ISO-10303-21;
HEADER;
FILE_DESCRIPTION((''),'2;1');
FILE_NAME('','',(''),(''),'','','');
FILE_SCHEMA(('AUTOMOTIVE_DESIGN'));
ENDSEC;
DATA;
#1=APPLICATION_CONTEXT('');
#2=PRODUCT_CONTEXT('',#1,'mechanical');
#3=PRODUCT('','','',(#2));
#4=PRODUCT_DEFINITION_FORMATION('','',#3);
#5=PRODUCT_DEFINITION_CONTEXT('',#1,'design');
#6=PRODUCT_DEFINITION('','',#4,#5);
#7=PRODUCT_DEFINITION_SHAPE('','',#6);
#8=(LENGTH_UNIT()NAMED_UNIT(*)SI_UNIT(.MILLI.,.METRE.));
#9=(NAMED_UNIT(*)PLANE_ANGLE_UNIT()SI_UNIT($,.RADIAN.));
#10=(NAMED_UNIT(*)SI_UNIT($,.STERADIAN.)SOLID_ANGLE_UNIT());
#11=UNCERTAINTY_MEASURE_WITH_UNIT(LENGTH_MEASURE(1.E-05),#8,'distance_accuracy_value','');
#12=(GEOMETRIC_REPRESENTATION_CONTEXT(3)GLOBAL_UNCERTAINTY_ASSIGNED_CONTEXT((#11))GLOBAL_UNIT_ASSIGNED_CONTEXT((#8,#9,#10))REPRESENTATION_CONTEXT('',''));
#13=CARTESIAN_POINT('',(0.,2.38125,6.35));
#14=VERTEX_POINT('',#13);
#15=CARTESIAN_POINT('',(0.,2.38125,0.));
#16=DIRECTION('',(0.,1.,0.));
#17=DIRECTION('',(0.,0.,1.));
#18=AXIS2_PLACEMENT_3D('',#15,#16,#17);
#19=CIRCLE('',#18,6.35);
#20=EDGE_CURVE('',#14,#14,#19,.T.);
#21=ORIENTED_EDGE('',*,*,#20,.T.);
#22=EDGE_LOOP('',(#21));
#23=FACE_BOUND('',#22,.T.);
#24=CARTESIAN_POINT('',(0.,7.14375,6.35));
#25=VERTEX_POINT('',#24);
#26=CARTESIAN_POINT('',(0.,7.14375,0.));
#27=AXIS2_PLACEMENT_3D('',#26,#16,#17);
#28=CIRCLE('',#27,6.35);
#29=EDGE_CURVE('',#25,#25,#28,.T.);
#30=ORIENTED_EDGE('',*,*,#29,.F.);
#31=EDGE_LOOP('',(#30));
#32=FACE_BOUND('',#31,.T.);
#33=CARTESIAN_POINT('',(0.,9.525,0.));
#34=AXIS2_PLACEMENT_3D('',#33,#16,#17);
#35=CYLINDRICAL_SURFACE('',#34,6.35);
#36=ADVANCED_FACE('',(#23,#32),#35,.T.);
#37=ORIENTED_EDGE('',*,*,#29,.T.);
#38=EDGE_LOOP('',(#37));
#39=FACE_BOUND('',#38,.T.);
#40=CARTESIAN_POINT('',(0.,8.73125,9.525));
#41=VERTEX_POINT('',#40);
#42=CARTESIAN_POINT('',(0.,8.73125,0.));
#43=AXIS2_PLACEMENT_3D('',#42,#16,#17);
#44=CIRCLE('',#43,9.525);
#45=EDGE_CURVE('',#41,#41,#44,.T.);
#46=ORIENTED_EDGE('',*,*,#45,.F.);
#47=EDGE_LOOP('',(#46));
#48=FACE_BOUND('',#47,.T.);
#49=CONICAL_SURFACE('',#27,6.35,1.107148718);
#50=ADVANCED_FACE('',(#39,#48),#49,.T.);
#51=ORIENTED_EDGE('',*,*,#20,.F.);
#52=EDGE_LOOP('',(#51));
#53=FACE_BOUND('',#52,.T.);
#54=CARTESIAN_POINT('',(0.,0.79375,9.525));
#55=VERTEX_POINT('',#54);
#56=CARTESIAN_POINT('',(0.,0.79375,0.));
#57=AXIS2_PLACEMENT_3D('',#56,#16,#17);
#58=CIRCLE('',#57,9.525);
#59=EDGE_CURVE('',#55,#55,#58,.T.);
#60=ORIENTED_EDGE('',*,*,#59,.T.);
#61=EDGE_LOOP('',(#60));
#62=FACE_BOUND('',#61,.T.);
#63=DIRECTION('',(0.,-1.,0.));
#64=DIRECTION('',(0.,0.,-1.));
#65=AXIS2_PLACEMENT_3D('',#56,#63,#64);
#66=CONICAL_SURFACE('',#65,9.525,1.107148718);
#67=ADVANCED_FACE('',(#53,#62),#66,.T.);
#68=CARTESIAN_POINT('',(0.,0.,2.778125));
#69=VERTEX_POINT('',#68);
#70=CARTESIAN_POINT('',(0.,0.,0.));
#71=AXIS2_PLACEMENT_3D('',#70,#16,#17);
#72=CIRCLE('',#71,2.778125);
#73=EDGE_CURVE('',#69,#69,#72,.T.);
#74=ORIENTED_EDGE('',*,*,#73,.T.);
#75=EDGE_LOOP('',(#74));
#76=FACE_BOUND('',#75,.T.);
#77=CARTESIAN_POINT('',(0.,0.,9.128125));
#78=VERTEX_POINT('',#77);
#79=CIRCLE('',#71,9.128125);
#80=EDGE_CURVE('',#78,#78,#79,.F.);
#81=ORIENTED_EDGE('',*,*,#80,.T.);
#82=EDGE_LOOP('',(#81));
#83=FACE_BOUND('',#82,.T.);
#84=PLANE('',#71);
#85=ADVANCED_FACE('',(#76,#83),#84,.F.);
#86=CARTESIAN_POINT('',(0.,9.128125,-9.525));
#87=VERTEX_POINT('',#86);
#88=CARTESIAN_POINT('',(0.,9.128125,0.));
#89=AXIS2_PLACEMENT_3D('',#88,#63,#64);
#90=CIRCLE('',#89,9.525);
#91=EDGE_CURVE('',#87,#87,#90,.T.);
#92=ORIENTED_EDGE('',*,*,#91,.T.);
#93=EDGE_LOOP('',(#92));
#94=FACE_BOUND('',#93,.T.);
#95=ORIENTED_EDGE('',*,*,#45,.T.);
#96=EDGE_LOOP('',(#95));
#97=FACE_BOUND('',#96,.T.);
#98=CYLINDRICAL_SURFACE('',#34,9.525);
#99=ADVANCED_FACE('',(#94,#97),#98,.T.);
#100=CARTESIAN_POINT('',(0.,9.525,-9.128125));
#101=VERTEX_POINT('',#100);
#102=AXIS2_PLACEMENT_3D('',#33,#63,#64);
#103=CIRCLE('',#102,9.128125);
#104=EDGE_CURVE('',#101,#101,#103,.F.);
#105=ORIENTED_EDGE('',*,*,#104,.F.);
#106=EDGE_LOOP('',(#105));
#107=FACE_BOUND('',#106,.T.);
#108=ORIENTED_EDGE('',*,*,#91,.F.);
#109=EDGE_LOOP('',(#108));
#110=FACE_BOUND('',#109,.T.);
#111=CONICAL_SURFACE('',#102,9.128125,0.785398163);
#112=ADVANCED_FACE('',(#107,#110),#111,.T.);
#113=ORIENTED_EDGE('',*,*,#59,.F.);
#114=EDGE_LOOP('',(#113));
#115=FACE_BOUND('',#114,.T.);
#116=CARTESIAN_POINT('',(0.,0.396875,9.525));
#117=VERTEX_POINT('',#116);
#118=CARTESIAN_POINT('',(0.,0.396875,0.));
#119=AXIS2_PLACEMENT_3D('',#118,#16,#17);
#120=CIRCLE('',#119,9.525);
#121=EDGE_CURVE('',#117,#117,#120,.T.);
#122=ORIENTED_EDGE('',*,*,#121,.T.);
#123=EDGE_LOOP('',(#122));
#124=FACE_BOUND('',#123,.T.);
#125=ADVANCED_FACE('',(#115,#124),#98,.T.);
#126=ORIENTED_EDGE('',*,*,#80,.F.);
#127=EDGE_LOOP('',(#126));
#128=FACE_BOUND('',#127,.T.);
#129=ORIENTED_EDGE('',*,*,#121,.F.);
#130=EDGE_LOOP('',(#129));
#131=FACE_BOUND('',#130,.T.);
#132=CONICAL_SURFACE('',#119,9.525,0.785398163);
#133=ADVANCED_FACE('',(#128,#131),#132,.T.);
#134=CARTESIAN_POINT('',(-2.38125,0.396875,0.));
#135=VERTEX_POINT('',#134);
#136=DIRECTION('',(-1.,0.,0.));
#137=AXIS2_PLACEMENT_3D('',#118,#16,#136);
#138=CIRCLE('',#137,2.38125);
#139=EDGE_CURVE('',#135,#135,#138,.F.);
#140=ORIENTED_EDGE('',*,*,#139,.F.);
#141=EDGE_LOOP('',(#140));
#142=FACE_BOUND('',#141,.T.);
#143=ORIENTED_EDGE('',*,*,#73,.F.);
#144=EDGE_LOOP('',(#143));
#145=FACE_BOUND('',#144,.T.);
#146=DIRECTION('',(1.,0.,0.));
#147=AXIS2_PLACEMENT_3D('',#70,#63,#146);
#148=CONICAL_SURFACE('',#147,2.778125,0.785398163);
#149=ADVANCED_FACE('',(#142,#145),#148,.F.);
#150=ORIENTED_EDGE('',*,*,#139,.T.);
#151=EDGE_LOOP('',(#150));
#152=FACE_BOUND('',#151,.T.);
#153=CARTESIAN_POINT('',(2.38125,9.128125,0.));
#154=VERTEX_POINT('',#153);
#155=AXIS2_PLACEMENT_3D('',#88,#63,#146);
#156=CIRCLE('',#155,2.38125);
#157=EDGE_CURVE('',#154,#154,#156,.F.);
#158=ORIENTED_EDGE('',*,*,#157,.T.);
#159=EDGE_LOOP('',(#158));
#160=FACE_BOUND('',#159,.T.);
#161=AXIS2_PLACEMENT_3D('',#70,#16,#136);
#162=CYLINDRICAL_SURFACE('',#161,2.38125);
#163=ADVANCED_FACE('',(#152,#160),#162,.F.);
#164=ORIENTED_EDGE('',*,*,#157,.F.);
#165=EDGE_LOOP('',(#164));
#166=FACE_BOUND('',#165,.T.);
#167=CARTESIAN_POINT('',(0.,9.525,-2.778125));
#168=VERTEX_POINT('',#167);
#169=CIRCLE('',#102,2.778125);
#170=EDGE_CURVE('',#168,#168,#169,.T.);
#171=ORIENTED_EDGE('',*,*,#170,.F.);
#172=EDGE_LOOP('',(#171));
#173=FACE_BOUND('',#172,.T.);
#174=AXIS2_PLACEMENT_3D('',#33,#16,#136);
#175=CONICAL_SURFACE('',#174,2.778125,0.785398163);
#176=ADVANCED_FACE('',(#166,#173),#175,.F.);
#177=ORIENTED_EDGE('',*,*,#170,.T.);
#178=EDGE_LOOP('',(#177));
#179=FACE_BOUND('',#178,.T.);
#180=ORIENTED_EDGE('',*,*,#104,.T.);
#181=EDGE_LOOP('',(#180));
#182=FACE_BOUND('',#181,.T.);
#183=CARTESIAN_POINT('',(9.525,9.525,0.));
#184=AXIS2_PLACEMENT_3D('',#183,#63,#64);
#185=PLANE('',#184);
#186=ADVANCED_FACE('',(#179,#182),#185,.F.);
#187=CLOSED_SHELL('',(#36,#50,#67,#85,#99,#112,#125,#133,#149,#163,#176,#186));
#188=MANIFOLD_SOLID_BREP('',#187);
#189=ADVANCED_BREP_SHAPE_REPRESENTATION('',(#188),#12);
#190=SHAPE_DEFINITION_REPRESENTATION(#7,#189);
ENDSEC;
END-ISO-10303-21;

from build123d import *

# Parameters (mm, degrees)
SKETCH2_R               = 2.38125
CUT_EXTRUDE1_DEPTH      = 1
CUT_EXTRUDE1_DEPTH_BACK = 10.525
CHAMFER1_SIZE           = 0.396875


with BuildPart() as part:
    # Sketch1 → Revolve1 (revolve)
    with BuildSketch(Plane.XY):
        Polygon((0, 0), (9.525, 0), (9.525, 0.79375), (6.35, 2.38125), (6.35, 7.14375), (9.525, 8.73125), (9.525, 9.525), (0, 9.525), align=None)
    revolve(axis=Axis((0, 9.525, 0), (0, -1, 0)))

    # Sketch2 → Cut-Extrude1 (cut, two sides)
    with BuildSketch(Plane(origin=(0, 9.525, 0), x_dir=(1, 0, 0), z_dir=(0, 1, 0))) as cut_extrude1_sk:
        Circle(SKETCH2_R)
    extrude(amount=CUT_EXTRUDE1_DEPTH, mode=Mode.SUBTRACT)
    extrude(cut_extrude1_sk.sketch, amount=-CUT_EXTRUDE1_DEPTH_BACK, mode=Mode.SUBTRACT)

    # Chamfer1
    chamfer1_edges = [part.edges().sort_by_distance(p)[0] for p in [
        (-2.38125, 0, 0),
        (-2.38125, 9.525, 0),
        (-9.525, 9.525, 0),
        (-9.525, 0, 0),
    ]]
    chamfer(chamfer1_edges, length=CHAMFER1_SIZE)


solid = part.part
